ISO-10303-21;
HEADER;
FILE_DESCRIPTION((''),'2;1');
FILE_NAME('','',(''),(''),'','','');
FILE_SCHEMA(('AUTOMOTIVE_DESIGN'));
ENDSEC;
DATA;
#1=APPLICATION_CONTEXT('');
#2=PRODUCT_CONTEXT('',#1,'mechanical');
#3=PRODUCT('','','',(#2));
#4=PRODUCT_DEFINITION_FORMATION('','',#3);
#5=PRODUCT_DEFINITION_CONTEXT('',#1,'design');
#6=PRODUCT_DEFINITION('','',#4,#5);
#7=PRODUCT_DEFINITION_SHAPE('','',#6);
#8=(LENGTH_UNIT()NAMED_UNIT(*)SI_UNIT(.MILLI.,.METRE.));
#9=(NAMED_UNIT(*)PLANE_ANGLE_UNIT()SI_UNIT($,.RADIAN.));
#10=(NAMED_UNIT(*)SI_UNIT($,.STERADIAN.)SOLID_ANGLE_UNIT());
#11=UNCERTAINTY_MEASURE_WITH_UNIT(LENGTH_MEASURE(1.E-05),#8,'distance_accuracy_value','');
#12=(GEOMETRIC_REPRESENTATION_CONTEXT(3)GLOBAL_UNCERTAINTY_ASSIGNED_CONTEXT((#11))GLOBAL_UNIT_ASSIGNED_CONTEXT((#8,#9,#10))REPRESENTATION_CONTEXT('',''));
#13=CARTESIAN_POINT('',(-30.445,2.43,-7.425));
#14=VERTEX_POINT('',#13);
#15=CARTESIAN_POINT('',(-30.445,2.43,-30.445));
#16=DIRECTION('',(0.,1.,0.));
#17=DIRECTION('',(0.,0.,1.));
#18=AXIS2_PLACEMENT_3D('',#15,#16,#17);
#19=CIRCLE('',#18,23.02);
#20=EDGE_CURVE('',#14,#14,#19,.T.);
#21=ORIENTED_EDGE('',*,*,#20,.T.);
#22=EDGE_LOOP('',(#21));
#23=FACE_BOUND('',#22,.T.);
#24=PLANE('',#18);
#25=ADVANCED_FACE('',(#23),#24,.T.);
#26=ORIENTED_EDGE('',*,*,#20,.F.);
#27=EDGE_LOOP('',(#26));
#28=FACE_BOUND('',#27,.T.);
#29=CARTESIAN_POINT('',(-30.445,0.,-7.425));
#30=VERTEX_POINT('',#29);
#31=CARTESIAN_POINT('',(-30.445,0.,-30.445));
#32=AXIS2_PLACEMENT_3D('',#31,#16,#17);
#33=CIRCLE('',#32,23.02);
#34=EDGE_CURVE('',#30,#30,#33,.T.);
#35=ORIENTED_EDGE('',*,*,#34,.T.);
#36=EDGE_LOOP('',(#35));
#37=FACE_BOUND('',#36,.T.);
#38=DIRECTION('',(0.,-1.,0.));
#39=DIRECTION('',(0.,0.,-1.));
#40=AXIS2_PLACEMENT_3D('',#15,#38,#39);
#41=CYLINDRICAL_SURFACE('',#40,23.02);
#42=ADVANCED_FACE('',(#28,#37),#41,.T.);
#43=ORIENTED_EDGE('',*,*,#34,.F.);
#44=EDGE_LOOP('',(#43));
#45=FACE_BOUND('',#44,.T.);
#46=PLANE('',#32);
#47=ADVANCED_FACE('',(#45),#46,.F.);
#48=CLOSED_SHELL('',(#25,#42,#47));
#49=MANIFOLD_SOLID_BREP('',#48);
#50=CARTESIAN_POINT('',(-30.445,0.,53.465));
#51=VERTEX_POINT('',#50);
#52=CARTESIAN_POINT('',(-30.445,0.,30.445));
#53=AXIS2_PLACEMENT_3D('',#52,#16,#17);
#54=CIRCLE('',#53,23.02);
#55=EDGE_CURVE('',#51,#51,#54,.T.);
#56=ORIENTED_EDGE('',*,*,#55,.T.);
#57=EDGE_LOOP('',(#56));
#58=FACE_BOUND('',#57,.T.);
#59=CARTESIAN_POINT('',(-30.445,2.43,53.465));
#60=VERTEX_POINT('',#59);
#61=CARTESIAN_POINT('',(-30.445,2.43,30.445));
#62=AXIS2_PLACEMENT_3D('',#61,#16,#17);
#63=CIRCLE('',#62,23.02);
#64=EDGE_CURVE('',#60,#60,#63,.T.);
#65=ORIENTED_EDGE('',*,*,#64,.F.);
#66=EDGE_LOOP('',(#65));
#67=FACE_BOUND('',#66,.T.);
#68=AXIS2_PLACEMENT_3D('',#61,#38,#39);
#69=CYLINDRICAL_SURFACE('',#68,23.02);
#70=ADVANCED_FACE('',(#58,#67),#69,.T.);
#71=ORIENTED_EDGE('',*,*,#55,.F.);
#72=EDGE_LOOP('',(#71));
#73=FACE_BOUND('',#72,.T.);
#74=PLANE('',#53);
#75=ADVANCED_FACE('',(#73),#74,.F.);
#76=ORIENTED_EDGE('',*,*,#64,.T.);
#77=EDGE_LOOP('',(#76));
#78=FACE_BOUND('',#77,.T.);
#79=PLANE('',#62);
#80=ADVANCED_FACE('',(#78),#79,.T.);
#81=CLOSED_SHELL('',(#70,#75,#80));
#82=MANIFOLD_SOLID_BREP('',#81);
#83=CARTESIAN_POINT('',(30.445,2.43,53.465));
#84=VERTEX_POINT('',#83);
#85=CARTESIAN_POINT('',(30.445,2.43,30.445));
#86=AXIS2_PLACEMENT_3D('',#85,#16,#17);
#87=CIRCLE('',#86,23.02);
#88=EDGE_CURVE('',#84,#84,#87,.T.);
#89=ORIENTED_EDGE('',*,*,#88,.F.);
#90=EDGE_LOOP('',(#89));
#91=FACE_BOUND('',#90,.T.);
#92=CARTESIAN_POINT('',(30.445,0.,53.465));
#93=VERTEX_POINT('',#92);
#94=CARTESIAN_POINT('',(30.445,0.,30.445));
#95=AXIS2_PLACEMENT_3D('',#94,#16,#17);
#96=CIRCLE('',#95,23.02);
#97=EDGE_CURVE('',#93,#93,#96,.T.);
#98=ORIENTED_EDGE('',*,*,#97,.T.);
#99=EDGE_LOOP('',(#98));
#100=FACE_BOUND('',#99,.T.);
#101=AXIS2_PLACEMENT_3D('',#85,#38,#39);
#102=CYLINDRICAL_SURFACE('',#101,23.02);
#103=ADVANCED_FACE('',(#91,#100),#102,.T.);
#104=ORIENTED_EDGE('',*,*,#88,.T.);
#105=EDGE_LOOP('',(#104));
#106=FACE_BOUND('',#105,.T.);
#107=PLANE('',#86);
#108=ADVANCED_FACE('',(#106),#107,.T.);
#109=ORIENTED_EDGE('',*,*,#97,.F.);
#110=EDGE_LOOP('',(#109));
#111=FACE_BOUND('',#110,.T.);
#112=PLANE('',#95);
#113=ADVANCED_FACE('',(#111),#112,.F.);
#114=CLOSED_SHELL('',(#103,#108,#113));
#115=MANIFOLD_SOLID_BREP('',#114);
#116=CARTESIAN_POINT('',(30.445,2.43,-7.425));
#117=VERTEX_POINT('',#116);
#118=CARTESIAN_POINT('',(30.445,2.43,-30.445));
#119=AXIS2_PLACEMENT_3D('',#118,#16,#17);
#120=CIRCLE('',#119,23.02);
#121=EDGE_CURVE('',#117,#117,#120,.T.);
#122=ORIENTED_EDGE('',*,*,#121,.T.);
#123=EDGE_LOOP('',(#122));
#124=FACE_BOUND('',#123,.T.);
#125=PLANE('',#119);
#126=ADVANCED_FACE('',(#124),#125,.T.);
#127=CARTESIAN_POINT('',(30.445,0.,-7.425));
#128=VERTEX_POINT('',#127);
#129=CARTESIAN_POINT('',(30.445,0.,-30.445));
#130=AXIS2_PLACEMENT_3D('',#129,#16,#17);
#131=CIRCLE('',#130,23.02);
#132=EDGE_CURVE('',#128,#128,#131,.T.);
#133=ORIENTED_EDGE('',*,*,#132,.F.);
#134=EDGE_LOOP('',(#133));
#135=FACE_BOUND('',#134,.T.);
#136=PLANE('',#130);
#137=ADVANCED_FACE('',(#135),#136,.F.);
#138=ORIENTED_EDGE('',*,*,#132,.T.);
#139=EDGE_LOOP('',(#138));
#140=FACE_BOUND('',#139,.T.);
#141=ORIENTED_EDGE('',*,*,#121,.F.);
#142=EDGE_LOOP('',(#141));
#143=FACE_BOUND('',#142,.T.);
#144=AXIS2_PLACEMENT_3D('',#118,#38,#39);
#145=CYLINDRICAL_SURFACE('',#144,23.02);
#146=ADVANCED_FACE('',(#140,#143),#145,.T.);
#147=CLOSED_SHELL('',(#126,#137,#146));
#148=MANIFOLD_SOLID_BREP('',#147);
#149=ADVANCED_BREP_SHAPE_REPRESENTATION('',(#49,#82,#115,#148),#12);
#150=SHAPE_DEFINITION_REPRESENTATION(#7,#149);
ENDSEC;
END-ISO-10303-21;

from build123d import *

# Parameters (mm, degrees)
SKETCH1_R             = 23.02
BOSS_EXTRUDE1_DEPTH   = 2.43
BOSS_EXTRUDE1_2_DEPTH = 2.43
BOSS_EXTRUDE1_3_DEPTH = 2.43
BOSS_EXTRUDE1_4_DEPTH = 2.43


with BuildPart() as part:
    # Sketch1 → Boss-Extrude1 (new body)
    with BuildSketch(Plane(origin=(0, 0, 0), x_dir=(1, 0, 0), z_dir=(0, 1, 0))):
        with Locations((-30.445, 30.445)):
            Circle(SKETCH1_R)
    extrude(amount=BOSS_EXTRUDE1_DEPTH)


with BuildPart() as body_2:
    # Sketch1 → Boss-Extrude1 2 (new body)
    with BuildSketch(Plane(origin=(0, 0, 0), x_dir=(1, 0, 0), z_dir=(0, 1, 0))):
        with Locations((30.445, 30.445)):
            Circle(SKETCH1_R)
    extrude(amount=BOSS_EXTRUDE1_2_DEPTH)


with BuildPart() as body_3:
    # Sketch1 → Boss-Extrude1 3 (new body)
    with BuildSketch(Plane(origin=(0, 0, 0), x_dir=(1, 0, 0), z_dir=(0, 1, 0))):
        with Locations((30.445, -30.445)):
            Circle(SKETCH1_R)
    extrude(amount=BOSS_EXTRUDE1_3_DEPTH)


with BuildPart() as body_4:
    # Sketch1 → Boss-Extrude1 4 (new body)
    with BuildSketch(Plane(origin=(0, 0, 0), x_dir=(1, 0, 0), z_dir=(0, 1, 0))):
        with Locations((-30.445, -30.445)):
            Circle(SKETCH1_R)
    extrude(amount=BOSS_EXTRUDE1_4_DEPTH)


solid = Compound([part.part, body_2.part, body_3.part, body_4.part])
